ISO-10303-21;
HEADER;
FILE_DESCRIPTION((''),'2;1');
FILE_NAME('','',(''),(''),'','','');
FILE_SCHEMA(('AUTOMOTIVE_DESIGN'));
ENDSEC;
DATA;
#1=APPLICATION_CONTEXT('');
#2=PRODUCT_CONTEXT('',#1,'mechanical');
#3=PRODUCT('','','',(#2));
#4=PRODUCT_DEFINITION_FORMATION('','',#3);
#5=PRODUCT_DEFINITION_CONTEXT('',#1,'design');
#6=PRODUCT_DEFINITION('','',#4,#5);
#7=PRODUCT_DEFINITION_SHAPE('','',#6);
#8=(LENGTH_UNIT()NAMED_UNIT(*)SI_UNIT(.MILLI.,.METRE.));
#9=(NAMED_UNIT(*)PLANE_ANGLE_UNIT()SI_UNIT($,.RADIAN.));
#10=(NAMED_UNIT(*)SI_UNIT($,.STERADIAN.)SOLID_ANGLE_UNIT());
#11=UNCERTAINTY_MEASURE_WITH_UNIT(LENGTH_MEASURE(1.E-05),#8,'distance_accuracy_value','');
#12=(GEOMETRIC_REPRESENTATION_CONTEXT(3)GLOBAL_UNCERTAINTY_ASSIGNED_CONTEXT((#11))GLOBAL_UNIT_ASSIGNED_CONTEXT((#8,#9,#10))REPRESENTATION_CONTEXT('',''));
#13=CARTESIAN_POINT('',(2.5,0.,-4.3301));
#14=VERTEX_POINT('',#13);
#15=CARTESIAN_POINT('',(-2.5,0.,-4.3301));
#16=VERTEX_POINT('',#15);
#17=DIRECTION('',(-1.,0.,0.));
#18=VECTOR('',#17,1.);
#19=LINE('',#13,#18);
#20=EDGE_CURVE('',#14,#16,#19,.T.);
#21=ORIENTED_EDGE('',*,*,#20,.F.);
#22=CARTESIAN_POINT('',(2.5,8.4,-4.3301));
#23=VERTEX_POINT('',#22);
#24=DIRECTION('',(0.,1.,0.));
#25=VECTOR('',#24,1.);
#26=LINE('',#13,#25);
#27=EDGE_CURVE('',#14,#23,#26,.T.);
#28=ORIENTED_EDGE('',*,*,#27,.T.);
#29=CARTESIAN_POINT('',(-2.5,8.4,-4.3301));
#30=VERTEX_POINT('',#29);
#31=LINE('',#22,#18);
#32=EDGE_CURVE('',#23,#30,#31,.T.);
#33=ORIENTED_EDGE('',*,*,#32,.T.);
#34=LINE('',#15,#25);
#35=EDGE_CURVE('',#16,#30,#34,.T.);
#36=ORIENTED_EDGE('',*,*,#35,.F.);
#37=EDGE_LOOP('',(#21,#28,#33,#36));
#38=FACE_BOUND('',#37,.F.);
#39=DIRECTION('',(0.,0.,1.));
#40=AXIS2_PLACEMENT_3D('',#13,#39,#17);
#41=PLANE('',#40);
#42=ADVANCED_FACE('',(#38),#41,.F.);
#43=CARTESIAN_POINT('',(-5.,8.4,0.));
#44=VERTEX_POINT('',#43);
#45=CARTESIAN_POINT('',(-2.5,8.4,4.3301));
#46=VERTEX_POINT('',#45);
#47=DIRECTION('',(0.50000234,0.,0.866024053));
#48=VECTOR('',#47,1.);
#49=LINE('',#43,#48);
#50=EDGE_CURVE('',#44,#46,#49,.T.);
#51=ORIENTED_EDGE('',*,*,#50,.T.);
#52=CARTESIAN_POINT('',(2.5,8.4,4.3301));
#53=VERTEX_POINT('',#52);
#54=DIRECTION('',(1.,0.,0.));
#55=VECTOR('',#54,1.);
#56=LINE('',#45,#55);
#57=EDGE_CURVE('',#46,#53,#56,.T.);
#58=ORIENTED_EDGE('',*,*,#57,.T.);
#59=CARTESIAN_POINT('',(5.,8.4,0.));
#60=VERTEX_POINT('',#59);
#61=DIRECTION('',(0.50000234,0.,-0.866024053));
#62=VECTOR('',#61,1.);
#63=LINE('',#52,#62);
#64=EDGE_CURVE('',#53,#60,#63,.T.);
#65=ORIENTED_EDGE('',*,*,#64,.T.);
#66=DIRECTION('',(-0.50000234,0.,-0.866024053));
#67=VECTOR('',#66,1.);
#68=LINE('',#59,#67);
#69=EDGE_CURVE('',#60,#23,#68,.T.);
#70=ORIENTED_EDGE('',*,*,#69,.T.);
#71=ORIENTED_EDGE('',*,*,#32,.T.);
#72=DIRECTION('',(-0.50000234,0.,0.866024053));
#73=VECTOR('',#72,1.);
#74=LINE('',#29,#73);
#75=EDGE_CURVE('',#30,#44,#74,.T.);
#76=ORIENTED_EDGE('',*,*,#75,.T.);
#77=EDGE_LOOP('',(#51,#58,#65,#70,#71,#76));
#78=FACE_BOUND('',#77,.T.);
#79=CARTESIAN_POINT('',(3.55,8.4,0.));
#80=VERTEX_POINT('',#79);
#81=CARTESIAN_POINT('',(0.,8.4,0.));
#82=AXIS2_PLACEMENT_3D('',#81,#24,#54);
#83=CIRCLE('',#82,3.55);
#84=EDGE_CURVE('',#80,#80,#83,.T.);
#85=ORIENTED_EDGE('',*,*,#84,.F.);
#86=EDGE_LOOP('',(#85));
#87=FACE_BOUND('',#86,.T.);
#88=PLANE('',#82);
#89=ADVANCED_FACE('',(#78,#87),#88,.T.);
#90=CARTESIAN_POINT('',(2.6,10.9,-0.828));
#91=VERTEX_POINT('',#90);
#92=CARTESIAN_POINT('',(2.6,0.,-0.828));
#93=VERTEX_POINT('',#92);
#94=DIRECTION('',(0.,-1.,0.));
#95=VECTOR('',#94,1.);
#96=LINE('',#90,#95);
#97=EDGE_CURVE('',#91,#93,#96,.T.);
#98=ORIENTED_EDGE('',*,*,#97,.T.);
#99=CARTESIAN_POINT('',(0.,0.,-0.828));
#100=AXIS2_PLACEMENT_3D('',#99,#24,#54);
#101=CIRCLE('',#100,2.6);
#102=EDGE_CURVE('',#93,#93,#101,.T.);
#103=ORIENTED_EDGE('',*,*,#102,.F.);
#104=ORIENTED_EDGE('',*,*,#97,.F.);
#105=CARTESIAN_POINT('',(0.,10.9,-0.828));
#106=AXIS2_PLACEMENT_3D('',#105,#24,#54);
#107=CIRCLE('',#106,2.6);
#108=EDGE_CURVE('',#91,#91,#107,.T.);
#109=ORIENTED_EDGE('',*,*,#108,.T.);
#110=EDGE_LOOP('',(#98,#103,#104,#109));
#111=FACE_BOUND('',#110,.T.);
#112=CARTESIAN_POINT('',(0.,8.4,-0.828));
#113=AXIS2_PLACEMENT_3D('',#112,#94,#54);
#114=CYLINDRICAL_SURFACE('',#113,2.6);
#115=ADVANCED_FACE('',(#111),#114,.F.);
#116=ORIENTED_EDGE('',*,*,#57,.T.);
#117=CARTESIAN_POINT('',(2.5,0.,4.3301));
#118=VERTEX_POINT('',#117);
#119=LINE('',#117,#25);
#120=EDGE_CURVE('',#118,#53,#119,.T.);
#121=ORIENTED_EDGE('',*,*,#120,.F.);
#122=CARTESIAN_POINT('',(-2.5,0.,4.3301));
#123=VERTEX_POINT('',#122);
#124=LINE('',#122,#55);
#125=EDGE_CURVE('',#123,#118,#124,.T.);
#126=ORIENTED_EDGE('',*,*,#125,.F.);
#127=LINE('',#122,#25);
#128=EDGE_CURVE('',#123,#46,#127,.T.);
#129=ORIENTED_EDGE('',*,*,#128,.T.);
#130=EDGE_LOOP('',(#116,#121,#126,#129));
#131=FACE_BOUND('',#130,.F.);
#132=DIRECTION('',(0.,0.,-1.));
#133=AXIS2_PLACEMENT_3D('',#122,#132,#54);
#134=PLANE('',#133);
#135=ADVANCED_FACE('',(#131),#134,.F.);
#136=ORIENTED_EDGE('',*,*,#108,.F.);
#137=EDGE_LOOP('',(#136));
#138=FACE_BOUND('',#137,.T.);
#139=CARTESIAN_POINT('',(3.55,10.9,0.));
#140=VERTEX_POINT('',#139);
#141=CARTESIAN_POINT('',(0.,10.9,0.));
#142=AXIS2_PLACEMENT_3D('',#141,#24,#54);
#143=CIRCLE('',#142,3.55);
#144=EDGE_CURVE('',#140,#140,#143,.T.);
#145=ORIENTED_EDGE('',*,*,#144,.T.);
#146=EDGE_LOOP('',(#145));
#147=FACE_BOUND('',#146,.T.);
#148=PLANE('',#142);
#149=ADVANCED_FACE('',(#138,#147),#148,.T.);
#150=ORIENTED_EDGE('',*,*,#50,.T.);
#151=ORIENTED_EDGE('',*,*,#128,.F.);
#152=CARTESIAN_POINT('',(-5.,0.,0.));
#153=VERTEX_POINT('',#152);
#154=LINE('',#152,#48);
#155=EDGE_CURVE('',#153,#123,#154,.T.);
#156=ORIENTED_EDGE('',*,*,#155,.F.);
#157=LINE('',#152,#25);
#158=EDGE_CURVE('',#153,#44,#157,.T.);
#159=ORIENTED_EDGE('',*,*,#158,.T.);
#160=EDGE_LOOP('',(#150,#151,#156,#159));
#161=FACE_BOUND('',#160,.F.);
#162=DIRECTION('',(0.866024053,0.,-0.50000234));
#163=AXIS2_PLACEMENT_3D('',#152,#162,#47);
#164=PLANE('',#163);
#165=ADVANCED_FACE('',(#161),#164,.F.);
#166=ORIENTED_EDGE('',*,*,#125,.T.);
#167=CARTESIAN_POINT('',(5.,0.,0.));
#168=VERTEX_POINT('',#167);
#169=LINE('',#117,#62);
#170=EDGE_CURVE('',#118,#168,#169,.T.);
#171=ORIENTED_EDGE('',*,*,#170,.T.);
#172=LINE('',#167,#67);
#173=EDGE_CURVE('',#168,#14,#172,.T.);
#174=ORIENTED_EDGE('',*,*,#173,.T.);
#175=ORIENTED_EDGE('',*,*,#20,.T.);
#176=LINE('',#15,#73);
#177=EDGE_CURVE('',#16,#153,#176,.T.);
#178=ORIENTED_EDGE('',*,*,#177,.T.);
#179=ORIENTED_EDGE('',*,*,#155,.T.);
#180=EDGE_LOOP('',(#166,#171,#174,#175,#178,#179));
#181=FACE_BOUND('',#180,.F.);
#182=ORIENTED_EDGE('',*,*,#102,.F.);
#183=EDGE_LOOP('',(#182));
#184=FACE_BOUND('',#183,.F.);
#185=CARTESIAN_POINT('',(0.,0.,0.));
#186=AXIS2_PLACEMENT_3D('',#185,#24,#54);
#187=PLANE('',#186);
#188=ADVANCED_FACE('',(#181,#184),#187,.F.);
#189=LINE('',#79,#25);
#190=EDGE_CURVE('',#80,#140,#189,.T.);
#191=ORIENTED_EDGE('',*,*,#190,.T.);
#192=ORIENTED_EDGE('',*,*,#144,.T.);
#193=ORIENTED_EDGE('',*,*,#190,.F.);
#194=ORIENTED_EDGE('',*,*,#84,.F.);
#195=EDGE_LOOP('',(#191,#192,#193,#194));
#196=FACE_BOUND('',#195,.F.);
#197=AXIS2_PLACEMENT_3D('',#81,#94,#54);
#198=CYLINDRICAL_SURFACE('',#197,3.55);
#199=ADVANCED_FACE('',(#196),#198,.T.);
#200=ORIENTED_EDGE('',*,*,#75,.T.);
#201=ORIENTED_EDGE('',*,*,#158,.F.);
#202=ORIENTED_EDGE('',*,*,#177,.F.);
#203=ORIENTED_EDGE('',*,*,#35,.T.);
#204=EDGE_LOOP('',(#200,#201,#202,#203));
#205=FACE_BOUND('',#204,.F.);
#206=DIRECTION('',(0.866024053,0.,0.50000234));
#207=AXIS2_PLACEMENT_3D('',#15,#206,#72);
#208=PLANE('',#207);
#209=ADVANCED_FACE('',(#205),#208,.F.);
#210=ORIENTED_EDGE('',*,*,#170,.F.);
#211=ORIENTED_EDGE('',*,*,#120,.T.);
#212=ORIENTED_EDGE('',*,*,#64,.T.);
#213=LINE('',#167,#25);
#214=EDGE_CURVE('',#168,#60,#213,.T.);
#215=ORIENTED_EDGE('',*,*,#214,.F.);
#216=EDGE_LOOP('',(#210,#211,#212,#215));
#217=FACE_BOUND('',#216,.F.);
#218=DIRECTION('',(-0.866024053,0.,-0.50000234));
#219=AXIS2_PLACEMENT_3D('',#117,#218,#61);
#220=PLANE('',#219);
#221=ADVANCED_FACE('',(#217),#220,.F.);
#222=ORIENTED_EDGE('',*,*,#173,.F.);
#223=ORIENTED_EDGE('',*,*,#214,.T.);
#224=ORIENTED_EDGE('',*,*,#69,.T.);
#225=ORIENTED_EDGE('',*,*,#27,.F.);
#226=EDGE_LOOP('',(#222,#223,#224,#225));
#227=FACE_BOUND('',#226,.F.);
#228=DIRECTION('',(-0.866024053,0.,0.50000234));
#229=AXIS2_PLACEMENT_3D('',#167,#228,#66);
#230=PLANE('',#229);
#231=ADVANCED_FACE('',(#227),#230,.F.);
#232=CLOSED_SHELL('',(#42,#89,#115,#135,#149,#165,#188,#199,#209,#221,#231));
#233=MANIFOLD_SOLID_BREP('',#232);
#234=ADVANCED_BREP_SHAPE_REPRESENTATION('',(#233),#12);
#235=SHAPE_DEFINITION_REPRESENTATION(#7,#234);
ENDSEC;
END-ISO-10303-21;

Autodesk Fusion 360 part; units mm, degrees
sketch "Skizze1" plane through (0, 0, 0) normal (0, 1, 0) x (1, 0, 0)
  line L0 (5, 0) -> (2.5, 4.3301)
  line L1 (2.5, 4.3301) -> (-2.5, 4.3301)
  line L2 (-2.5, 4.3301) -> (-5, 0)
  line L3 (-5, 0) -> (-2.5, -4.3301)
  line L4 (-2.5, -4.3301) -> (2.5, -4.3301)
  line L5 (2.5, -4.3301) -> (5, 0)
  circle A0 centre (0, 0) radius 3.55
  circle A1 centre (0, 0.828) radius 2.6
  dimension "d1" = 10
  dimension "d2" = 7.1
  dimension "d3" = 5.2
extrude "Extrusion1" add sketch "Skizze1" along normal blind 8.4 contours L0 L1 L2 L3 L4 L5 | A0
extrude "Extrusion2" add sketch "Skizze1" along normal blind 2.5 from surface at 8.4 contours A0
